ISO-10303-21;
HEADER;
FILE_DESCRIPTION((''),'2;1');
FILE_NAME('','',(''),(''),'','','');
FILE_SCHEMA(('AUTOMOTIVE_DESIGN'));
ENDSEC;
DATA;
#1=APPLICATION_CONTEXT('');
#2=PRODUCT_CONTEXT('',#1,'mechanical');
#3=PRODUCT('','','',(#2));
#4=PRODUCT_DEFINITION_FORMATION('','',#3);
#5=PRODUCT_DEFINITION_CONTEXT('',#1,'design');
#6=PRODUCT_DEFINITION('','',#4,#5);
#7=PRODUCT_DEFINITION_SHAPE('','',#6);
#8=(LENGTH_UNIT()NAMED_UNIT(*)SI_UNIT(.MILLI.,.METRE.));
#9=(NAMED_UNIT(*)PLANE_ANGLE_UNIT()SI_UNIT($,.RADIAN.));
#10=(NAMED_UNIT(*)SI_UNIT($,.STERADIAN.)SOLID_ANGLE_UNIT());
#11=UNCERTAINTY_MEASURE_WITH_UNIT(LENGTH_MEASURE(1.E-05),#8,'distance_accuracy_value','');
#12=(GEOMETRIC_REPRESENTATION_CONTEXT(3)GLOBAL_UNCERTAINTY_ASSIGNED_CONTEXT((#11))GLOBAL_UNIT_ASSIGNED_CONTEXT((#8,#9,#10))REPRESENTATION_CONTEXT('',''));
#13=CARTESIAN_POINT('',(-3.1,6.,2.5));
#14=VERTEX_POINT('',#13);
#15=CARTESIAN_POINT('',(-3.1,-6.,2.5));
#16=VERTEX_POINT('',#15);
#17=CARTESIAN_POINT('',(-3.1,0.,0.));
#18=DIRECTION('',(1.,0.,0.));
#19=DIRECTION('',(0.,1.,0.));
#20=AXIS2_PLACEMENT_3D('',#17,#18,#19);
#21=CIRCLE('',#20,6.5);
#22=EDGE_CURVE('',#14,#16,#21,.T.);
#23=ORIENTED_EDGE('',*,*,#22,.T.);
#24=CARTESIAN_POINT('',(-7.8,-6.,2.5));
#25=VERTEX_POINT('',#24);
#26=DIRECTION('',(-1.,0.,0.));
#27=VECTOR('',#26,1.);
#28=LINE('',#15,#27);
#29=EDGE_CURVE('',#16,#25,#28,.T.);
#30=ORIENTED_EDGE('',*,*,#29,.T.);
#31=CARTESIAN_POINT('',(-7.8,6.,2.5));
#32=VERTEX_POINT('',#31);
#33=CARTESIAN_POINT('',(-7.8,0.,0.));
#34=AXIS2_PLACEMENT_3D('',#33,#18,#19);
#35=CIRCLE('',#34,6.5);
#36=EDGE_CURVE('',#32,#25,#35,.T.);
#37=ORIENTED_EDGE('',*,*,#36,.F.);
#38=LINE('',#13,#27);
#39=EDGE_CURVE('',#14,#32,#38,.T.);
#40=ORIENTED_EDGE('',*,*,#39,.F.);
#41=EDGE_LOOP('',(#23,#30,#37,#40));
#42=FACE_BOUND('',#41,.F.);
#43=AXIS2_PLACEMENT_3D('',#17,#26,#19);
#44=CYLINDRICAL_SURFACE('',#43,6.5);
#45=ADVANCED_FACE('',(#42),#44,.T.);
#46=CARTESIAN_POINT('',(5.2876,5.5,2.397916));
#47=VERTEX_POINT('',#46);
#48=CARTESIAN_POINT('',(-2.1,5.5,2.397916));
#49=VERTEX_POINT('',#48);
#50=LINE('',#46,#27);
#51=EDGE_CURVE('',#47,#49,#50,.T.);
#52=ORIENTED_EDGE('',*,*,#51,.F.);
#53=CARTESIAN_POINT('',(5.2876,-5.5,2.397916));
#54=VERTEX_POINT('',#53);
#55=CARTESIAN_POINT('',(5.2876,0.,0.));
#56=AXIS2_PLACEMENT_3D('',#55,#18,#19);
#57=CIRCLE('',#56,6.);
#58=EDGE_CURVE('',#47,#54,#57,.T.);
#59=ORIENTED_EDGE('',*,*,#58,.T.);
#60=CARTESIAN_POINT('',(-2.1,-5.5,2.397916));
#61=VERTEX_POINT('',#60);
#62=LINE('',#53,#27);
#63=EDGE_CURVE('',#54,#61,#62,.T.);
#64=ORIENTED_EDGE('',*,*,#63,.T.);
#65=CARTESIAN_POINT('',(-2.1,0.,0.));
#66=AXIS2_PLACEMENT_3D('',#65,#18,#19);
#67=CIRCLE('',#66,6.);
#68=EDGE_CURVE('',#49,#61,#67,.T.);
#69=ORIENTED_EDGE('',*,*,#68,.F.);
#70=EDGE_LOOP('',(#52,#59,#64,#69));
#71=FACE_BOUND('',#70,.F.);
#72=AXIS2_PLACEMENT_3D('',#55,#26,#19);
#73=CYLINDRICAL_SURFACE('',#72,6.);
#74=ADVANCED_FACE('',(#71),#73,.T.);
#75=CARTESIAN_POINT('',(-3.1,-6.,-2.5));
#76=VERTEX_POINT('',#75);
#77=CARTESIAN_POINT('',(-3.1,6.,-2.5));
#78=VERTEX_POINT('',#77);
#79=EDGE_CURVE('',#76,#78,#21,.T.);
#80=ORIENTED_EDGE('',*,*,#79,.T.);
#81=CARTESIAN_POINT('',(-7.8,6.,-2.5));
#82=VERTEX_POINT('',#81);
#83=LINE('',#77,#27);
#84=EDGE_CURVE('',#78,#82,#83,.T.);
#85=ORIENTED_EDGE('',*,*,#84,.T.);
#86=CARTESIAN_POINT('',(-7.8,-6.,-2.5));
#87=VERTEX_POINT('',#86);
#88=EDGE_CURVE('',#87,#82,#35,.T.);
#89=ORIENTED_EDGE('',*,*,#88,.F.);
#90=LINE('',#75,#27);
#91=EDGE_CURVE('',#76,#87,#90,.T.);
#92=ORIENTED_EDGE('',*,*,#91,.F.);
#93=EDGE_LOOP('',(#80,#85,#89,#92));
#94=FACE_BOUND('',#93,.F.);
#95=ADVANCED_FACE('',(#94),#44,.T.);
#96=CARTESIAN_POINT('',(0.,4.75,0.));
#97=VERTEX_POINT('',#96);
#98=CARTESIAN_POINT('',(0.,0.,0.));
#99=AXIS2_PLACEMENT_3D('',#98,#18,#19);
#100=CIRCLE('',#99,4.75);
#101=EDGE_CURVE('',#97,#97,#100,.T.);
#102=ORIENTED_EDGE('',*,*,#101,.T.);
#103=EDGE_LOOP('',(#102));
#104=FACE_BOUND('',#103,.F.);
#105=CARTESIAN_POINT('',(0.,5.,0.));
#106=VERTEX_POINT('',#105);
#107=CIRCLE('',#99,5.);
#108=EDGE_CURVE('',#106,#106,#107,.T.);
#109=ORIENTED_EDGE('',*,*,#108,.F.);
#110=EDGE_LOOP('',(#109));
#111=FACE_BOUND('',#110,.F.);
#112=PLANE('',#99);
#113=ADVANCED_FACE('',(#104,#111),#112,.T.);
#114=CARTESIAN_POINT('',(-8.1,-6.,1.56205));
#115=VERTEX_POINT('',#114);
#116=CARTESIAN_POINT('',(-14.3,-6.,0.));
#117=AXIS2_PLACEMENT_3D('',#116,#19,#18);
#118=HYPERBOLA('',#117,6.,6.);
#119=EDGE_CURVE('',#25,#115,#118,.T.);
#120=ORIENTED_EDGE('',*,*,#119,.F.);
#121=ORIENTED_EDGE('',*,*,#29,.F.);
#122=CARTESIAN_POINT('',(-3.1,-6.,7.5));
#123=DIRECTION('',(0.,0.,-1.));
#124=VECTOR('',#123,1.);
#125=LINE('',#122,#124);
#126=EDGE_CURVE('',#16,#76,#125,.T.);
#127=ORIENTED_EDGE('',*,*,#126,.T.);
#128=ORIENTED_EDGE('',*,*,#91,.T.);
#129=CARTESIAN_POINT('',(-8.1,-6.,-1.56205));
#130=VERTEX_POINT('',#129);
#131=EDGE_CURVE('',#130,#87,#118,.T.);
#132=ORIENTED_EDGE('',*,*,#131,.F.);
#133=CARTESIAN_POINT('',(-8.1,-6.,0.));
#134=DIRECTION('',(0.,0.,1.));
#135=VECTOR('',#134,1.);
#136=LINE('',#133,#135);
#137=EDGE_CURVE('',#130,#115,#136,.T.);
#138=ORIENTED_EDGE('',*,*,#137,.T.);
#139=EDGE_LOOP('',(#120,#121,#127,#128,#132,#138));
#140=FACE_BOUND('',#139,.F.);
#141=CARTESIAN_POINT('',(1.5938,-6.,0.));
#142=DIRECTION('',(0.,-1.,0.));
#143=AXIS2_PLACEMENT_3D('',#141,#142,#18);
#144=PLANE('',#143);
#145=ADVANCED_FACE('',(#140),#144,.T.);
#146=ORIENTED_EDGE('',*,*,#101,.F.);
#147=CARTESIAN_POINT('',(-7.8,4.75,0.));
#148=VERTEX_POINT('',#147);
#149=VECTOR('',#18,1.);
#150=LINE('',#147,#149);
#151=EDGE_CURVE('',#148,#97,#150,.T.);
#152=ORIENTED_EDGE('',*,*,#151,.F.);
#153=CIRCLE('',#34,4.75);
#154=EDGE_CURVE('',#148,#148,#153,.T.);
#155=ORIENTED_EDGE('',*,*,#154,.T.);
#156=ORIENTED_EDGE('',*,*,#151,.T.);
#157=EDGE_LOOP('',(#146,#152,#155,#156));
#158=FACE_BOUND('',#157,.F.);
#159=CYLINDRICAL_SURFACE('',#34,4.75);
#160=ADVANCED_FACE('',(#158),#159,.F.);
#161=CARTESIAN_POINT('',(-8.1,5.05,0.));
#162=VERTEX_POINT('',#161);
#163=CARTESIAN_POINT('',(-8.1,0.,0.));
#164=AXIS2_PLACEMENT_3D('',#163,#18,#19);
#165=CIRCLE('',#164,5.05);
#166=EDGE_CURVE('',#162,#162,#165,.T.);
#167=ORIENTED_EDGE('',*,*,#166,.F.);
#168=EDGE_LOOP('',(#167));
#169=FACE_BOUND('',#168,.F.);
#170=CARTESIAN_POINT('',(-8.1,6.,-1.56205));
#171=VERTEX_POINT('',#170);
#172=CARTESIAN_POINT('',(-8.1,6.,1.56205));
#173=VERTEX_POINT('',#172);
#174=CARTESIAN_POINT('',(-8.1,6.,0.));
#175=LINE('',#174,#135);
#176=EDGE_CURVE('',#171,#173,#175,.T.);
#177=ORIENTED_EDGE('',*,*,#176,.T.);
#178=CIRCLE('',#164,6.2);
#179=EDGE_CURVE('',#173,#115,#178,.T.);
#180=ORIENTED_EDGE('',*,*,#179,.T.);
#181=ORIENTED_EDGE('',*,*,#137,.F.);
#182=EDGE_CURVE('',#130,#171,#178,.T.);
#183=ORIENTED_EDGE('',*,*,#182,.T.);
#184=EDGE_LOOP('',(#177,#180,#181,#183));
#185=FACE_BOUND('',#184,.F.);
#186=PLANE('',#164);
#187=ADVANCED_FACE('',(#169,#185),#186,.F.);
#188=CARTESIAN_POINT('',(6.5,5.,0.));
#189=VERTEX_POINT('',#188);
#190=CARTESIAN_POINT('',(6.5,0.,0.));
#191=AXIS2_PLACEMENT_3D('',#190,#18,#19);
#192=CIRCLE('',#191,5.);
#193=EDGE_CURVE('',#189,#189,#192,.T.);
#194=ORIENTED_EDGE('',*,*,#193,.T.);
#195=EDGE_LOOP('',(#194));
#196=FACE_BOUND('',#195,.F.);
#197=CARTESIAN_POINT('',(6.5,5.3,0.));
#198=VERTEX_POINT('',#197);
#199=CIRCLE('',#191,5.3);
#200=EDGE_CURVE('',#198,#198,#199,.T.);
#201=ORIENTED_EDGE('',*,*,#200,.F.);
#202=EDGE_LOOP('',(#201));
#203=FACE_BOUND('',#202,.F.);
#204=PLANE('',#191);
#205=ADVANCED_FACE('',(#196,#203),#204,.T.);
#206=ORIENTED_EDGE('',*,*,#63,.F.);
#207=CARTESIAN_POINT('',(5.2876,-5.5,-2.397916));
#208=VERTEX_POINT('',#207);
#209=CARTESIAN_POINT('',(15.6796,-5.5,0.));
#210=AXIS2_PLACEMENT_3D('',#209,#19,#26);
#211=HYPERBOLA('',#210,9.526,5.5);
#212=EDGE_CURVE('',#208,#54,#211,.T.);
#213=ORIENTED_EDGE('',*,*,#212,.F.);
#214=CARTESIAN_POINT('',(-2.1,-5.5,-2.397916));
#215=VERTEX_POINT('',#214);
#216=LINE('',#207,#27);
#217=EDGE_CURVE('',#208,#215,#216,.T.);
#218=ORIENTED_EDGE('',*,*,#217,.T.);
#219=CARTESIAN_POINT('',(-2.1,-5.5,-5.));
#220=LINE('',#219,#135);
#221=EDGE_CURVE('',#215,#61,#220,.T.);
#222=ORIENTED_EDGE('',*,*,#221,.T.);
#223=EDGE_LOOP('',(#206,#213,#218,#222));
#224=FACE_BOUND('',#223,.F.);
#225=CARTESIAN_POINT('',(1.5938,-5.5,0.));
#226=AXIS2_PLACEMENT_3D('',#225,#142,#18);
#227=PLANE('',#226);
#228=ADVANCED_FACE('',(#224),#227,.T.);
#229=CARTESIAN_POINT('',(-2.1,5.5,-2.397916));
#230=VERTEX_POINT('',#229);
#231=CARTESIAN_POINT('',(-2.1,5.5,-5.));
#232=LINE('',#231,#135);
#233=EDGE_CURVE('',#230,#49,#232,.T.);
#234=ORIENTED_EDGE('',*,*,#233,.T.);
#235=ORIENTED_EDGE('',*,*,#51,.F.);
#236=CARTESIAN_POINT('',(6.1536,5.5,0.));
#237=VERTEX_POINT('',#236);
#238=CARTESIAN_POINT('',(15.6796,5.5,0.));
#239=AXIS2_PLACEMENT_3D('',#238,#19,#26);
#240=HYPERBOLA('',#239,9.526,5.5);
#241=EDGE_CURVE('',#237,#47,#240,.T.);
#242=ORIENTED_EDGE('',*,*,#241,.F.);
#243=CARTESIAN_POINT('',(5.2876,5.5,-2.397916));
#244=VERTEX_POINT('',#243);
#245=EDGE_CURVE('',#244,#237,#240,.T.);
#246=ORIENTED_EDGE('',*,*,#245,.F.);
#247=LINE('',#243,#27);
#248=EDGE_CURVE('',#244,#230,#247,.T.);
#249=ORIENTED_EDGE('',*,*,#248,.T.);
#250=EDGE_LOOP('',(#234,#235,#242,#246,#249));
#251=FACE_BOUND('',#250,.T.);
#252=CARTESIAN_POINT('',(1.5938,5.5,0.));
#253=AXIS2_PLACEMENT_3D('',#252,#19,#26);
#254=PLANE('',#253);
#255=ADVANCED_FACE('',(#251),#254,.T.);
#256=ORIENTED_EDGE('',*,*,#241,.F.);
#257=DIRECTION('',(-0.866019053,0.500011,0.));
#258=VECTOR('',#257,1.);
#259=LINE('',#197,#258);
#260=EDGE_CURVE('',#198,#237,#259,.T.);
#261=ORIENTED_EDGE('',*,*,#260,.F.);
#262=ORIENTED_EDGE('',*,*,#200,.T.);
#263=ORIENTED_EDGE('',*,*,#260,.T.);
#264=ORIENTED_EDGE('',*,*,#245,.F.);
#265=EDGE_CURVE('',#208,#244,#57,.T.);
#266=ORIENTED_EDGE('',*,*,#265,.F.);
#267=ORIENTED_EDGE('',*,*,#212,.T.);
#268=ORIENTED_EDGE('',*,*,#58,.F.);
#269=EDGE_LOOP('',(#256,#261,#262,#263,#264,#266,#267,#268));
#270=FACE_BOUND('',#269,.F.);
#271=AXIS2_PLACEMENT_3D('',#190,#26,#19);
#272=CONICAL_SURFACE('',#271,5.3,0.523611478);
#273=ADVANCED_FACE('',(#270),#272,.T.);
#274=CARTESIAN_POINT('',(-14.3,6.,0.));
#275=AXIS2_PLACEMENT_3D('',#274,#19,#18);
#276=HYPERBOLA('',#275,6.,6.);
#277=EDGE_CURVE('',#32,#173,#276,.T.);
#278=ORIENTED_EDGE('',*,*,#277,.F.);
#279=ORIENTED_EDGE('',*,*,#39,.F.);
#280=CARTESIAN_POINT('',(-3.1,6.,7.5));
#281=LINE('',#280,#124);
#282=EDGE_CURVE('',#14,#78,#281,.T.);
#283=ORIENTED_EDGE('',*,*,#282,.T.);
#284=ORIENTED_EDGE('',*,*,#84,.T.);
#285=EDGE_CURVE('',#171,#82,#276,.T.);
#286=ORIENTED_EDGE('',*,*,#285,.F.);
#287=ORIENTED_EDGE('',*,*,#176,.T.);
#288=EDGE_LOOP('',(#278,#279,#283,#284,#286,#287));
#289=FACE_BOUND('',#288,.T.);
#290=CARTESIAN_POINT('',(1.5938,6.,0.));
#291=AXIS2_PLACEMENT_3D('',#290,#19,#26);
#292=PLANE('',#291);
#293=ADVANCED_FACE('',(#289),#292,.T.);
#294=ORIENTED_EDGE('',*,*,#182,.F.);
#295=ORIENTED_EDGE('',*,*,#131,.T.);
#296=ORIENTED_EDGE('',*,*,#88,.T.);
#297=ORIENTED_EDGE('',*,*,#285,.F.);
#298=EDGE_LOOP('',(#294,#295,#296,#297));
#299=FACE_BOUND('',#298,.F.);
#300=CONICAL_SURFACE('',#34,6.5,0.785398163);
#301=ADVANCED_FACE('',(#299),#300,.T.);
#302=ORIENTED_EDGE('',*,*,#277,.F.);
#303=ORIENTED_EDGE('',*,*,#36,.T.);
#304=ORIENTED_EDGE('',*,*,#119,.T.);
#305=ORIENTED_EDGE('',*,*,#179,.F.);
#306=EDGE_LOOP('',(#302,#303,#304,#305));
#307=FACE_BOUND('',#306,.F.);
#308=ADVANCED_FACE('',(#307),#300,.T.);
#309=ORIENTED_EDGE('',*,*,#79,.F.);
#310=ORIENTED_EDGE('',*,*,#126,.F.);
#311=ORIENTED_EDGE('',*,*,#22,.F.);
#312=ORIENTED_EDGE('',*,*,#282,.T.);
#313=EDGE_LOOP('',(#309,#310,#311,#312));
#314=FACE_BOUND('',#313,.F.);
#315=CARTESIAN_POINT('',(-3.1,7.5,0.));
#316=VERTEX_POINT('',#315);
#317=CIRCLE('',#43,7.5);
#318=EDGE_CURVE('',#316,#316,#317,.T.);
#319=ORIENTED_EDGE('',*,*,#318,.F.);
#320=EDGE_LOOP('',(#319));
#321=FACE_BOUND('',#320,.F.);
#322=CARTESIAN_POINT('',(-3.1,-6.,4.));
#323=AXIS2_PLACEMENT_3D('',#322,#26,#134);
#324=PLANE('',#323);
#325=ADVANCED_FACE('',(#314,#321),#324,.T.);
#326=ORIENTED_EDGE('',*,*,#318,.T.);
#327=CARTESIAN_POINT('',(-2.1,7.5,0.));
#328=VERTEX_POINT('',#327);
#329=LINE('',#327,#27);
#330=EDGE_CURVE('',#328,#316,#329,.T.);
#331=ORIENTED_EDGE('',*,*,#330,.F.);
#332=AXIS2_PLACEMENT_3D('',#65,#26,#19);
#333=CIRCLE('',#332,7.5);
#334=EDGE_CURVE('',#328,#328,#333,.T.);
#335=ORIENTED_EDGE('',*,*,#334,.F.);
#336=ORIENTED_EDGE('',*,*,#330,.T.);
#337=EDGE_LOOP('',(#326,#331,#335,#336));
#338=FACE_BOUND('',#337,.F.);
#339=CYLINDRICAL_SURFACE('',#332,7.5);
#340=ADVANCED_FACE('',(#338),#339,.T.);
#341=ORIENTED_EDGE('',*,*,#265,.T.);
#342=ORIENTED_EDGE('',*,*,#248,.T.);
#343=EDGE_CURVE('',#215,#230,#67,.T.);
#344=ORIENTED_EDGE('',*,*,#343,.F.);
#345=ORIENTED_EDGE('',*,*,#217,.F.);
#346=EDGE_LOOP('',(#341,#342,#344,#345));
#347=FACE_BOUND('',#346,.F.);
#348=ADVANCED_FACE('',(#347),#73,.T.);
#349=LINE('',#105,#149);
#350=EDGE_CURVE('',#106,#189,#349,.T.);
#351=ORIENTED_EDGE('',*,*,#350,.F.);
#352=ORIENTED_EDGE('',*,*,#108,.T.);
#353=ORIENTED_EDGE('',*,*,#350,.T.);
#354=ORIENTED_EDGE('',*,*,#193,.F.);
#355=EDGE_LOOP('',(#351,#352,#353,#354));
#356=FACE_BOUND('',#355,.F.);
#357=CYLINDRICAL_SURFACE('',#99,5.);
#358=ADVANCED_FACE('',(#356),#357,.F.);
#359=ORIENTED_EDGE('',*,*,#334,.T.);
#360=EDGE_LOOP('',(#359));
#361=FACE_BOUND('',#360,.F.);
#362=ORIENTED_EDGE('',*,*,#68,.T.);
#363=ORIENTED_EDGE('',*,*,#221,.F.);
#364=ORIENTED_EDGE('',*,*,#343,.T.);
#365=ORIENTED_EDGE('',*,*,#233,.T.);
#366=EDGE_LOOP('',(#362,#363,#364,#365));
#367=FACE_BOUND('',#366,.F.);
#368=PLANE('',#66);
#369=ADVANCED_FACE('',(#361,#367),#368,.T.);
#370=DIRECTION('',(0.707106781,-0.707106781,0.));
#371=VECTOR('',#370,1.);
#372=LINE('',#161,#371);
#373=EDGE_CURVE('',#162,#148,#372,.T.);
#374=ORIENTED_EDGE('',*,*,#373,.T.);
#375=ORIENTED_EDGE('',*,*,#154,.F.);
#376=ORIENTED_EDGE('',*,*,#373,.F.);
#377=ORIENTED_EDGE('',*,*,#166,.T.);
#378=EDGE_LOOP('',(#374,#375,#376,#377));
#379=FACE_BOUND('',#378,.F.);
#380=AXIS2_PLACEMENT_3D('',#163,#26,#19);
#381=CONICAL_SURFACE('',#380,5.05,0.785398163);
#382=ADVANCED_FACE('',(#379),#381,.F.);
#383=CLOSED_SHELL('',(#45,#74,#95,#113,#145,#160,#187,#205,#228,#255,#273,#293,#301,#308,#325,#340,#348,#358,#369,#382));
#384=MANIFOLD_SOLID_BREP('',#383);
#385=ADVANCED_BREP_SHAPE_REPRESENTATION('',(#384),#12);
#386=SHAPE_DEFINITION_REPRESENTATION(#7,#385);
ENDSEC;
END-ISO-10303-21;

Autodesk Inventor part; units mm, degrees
ref_plane "YZ Plane" through (0, 0, 0) normal (1, 0, 0) x (0, 1, 0)
ref_plane "XY Plane" through (0, 0, 0) normal (0, 0, 1) x (1, 0, 0)
sketch "Эскиз1" plane through (0, 0, 0) normal (0, 0, 1) x (1, 0, 0)
  line L0 (-7.8, 4.75) -> (0, 4.75)
  line L1 (0, 4.75) -> (0, 5)
  line L2 (0, 5) -> (6.5, 5)
  line L3 (6.5, 5) -> (6.5, 5.3)
  line L4 (6.5, 5.3) -> (5.2876, 6)
  line L5 (5.2876, 6) -> (-2.1, 6)
  line L6 (-2.1, 6) -> (-2.1, 7.5)
  line L7 (-2.1, 7.5) -> (-3.1, 7.5)
  line L8 (-3.1, 7.5) -> (-3.1, 6.5)
  line L9 (-3.1, 6.5) -> (-7.8, 6.5)
  line L10 (-6.6244, 0) -> (6.6244, 0) construction
  line L11 (-8.1, 6.2) -> (-8.1, 5.05)
  line L12 (-7.8, 6.5) -> (-8.1, 6.2)
  line L13 (-8.1, 5.05) -> (-7.8, 4.75)
  point P0 (0, 0)
  point P1 (-8.1, 6.5)
  point P2 (-8.1, 4.75)
  point P3 (0, 0)
  dimension "d2" = 12
  dimension "d3" = 15
  dimension "d8" = 13
  dimension "d9" = 1
  dimension "d10" = 0.3
  dimension "d11" = 120
  dimension "d12" = 6.5
  dimension "d14" = 0.3
  dimension "d15" = 0.3
  dimension "d16" = 0.3
  dimension "d17" = 0.3
  dimension "d18" = 9.5
  dimension "d19" = 5
  dimension "d20" = 1
  dimension "d21" = 8.6
  dimension "inside" = 10
revolve "Вращение1" add sketch "Эскиз1" angle 360 about axis through (-6.6244, 0, 0) along (1, 0, 0)
thread "Резьба1" size "M14x1" class "6g" standard "ANSI Metric M Profile" full length
thread "Резьба2" size "M12x0.75" class "6g" standard "ANSI Metric M Profile" full length
ref_plane "РабПлоскость1" through (1.5938, 6, 0) normal (0, 1, 0) x (-1, 0, 0)
sketch "Эскиз2" plane through (1.5938, 6, 0) normal (0, 1, 0) x (-1, 0, 0)
  line L0 (3.6938, 5) -> (-6.3062, 5)
  line L1 (-6.3062, 5) -> (-6.3062, -5)
  line L2 (-6.3062, -5) -> (3.6938, -5)
  line L3 (3.6938, -5) -> (3.6938, 5)
  line L4 (3.6938, 7.5) -> (3.6938, -7.5) projected
  point P0 (1.5938, 0)
  point P1 (-6.3062, 0)
  point P2 (3.6938, 0)
  dimension "d28" = 10
  dimension "d29" = 10
extrude "Выдавливание1" cut sketch "Эскиз2" against normal blind 0.5
sketch "Эскиз3" plane through (1.5938, 6, 0) normal (0, 1, 0) x (-1, 0, 0)
  line L0 (4.6938, 7.5) -> (4.6938, -7.5) projected
  line L1 (4.6938, -4) -> (12.6938, -4)
  line L2 (12.6938, -4) -> (12.6938, 4)
  line L3 (12.6938, 4) -> (4.6938, 4)
  line L4 (4.6938, 4) -> (4.6938, -4)
  point P0 (1.5938, 0)
  point P1 (4.6938, 0)
  dimension "d32" = 8
  dimension "d33" = 8
extrude "Выдавливание2" cut sketch "Эскиз3" along normal blind 0.5
mirror "Зеркальное отражение1" about plane through (0, 0, 0) normal (0, 1, 0) of "Выдавливание1", "Выдавливание2"
equation "\"d15\" = d14"
equation "\"d16\" = d14"
equation "\"d17\" = d16"
equation "\"d29\" = d28"
properties part number "корпус разъема" material "Сталь, нержавеющая, полированная"
